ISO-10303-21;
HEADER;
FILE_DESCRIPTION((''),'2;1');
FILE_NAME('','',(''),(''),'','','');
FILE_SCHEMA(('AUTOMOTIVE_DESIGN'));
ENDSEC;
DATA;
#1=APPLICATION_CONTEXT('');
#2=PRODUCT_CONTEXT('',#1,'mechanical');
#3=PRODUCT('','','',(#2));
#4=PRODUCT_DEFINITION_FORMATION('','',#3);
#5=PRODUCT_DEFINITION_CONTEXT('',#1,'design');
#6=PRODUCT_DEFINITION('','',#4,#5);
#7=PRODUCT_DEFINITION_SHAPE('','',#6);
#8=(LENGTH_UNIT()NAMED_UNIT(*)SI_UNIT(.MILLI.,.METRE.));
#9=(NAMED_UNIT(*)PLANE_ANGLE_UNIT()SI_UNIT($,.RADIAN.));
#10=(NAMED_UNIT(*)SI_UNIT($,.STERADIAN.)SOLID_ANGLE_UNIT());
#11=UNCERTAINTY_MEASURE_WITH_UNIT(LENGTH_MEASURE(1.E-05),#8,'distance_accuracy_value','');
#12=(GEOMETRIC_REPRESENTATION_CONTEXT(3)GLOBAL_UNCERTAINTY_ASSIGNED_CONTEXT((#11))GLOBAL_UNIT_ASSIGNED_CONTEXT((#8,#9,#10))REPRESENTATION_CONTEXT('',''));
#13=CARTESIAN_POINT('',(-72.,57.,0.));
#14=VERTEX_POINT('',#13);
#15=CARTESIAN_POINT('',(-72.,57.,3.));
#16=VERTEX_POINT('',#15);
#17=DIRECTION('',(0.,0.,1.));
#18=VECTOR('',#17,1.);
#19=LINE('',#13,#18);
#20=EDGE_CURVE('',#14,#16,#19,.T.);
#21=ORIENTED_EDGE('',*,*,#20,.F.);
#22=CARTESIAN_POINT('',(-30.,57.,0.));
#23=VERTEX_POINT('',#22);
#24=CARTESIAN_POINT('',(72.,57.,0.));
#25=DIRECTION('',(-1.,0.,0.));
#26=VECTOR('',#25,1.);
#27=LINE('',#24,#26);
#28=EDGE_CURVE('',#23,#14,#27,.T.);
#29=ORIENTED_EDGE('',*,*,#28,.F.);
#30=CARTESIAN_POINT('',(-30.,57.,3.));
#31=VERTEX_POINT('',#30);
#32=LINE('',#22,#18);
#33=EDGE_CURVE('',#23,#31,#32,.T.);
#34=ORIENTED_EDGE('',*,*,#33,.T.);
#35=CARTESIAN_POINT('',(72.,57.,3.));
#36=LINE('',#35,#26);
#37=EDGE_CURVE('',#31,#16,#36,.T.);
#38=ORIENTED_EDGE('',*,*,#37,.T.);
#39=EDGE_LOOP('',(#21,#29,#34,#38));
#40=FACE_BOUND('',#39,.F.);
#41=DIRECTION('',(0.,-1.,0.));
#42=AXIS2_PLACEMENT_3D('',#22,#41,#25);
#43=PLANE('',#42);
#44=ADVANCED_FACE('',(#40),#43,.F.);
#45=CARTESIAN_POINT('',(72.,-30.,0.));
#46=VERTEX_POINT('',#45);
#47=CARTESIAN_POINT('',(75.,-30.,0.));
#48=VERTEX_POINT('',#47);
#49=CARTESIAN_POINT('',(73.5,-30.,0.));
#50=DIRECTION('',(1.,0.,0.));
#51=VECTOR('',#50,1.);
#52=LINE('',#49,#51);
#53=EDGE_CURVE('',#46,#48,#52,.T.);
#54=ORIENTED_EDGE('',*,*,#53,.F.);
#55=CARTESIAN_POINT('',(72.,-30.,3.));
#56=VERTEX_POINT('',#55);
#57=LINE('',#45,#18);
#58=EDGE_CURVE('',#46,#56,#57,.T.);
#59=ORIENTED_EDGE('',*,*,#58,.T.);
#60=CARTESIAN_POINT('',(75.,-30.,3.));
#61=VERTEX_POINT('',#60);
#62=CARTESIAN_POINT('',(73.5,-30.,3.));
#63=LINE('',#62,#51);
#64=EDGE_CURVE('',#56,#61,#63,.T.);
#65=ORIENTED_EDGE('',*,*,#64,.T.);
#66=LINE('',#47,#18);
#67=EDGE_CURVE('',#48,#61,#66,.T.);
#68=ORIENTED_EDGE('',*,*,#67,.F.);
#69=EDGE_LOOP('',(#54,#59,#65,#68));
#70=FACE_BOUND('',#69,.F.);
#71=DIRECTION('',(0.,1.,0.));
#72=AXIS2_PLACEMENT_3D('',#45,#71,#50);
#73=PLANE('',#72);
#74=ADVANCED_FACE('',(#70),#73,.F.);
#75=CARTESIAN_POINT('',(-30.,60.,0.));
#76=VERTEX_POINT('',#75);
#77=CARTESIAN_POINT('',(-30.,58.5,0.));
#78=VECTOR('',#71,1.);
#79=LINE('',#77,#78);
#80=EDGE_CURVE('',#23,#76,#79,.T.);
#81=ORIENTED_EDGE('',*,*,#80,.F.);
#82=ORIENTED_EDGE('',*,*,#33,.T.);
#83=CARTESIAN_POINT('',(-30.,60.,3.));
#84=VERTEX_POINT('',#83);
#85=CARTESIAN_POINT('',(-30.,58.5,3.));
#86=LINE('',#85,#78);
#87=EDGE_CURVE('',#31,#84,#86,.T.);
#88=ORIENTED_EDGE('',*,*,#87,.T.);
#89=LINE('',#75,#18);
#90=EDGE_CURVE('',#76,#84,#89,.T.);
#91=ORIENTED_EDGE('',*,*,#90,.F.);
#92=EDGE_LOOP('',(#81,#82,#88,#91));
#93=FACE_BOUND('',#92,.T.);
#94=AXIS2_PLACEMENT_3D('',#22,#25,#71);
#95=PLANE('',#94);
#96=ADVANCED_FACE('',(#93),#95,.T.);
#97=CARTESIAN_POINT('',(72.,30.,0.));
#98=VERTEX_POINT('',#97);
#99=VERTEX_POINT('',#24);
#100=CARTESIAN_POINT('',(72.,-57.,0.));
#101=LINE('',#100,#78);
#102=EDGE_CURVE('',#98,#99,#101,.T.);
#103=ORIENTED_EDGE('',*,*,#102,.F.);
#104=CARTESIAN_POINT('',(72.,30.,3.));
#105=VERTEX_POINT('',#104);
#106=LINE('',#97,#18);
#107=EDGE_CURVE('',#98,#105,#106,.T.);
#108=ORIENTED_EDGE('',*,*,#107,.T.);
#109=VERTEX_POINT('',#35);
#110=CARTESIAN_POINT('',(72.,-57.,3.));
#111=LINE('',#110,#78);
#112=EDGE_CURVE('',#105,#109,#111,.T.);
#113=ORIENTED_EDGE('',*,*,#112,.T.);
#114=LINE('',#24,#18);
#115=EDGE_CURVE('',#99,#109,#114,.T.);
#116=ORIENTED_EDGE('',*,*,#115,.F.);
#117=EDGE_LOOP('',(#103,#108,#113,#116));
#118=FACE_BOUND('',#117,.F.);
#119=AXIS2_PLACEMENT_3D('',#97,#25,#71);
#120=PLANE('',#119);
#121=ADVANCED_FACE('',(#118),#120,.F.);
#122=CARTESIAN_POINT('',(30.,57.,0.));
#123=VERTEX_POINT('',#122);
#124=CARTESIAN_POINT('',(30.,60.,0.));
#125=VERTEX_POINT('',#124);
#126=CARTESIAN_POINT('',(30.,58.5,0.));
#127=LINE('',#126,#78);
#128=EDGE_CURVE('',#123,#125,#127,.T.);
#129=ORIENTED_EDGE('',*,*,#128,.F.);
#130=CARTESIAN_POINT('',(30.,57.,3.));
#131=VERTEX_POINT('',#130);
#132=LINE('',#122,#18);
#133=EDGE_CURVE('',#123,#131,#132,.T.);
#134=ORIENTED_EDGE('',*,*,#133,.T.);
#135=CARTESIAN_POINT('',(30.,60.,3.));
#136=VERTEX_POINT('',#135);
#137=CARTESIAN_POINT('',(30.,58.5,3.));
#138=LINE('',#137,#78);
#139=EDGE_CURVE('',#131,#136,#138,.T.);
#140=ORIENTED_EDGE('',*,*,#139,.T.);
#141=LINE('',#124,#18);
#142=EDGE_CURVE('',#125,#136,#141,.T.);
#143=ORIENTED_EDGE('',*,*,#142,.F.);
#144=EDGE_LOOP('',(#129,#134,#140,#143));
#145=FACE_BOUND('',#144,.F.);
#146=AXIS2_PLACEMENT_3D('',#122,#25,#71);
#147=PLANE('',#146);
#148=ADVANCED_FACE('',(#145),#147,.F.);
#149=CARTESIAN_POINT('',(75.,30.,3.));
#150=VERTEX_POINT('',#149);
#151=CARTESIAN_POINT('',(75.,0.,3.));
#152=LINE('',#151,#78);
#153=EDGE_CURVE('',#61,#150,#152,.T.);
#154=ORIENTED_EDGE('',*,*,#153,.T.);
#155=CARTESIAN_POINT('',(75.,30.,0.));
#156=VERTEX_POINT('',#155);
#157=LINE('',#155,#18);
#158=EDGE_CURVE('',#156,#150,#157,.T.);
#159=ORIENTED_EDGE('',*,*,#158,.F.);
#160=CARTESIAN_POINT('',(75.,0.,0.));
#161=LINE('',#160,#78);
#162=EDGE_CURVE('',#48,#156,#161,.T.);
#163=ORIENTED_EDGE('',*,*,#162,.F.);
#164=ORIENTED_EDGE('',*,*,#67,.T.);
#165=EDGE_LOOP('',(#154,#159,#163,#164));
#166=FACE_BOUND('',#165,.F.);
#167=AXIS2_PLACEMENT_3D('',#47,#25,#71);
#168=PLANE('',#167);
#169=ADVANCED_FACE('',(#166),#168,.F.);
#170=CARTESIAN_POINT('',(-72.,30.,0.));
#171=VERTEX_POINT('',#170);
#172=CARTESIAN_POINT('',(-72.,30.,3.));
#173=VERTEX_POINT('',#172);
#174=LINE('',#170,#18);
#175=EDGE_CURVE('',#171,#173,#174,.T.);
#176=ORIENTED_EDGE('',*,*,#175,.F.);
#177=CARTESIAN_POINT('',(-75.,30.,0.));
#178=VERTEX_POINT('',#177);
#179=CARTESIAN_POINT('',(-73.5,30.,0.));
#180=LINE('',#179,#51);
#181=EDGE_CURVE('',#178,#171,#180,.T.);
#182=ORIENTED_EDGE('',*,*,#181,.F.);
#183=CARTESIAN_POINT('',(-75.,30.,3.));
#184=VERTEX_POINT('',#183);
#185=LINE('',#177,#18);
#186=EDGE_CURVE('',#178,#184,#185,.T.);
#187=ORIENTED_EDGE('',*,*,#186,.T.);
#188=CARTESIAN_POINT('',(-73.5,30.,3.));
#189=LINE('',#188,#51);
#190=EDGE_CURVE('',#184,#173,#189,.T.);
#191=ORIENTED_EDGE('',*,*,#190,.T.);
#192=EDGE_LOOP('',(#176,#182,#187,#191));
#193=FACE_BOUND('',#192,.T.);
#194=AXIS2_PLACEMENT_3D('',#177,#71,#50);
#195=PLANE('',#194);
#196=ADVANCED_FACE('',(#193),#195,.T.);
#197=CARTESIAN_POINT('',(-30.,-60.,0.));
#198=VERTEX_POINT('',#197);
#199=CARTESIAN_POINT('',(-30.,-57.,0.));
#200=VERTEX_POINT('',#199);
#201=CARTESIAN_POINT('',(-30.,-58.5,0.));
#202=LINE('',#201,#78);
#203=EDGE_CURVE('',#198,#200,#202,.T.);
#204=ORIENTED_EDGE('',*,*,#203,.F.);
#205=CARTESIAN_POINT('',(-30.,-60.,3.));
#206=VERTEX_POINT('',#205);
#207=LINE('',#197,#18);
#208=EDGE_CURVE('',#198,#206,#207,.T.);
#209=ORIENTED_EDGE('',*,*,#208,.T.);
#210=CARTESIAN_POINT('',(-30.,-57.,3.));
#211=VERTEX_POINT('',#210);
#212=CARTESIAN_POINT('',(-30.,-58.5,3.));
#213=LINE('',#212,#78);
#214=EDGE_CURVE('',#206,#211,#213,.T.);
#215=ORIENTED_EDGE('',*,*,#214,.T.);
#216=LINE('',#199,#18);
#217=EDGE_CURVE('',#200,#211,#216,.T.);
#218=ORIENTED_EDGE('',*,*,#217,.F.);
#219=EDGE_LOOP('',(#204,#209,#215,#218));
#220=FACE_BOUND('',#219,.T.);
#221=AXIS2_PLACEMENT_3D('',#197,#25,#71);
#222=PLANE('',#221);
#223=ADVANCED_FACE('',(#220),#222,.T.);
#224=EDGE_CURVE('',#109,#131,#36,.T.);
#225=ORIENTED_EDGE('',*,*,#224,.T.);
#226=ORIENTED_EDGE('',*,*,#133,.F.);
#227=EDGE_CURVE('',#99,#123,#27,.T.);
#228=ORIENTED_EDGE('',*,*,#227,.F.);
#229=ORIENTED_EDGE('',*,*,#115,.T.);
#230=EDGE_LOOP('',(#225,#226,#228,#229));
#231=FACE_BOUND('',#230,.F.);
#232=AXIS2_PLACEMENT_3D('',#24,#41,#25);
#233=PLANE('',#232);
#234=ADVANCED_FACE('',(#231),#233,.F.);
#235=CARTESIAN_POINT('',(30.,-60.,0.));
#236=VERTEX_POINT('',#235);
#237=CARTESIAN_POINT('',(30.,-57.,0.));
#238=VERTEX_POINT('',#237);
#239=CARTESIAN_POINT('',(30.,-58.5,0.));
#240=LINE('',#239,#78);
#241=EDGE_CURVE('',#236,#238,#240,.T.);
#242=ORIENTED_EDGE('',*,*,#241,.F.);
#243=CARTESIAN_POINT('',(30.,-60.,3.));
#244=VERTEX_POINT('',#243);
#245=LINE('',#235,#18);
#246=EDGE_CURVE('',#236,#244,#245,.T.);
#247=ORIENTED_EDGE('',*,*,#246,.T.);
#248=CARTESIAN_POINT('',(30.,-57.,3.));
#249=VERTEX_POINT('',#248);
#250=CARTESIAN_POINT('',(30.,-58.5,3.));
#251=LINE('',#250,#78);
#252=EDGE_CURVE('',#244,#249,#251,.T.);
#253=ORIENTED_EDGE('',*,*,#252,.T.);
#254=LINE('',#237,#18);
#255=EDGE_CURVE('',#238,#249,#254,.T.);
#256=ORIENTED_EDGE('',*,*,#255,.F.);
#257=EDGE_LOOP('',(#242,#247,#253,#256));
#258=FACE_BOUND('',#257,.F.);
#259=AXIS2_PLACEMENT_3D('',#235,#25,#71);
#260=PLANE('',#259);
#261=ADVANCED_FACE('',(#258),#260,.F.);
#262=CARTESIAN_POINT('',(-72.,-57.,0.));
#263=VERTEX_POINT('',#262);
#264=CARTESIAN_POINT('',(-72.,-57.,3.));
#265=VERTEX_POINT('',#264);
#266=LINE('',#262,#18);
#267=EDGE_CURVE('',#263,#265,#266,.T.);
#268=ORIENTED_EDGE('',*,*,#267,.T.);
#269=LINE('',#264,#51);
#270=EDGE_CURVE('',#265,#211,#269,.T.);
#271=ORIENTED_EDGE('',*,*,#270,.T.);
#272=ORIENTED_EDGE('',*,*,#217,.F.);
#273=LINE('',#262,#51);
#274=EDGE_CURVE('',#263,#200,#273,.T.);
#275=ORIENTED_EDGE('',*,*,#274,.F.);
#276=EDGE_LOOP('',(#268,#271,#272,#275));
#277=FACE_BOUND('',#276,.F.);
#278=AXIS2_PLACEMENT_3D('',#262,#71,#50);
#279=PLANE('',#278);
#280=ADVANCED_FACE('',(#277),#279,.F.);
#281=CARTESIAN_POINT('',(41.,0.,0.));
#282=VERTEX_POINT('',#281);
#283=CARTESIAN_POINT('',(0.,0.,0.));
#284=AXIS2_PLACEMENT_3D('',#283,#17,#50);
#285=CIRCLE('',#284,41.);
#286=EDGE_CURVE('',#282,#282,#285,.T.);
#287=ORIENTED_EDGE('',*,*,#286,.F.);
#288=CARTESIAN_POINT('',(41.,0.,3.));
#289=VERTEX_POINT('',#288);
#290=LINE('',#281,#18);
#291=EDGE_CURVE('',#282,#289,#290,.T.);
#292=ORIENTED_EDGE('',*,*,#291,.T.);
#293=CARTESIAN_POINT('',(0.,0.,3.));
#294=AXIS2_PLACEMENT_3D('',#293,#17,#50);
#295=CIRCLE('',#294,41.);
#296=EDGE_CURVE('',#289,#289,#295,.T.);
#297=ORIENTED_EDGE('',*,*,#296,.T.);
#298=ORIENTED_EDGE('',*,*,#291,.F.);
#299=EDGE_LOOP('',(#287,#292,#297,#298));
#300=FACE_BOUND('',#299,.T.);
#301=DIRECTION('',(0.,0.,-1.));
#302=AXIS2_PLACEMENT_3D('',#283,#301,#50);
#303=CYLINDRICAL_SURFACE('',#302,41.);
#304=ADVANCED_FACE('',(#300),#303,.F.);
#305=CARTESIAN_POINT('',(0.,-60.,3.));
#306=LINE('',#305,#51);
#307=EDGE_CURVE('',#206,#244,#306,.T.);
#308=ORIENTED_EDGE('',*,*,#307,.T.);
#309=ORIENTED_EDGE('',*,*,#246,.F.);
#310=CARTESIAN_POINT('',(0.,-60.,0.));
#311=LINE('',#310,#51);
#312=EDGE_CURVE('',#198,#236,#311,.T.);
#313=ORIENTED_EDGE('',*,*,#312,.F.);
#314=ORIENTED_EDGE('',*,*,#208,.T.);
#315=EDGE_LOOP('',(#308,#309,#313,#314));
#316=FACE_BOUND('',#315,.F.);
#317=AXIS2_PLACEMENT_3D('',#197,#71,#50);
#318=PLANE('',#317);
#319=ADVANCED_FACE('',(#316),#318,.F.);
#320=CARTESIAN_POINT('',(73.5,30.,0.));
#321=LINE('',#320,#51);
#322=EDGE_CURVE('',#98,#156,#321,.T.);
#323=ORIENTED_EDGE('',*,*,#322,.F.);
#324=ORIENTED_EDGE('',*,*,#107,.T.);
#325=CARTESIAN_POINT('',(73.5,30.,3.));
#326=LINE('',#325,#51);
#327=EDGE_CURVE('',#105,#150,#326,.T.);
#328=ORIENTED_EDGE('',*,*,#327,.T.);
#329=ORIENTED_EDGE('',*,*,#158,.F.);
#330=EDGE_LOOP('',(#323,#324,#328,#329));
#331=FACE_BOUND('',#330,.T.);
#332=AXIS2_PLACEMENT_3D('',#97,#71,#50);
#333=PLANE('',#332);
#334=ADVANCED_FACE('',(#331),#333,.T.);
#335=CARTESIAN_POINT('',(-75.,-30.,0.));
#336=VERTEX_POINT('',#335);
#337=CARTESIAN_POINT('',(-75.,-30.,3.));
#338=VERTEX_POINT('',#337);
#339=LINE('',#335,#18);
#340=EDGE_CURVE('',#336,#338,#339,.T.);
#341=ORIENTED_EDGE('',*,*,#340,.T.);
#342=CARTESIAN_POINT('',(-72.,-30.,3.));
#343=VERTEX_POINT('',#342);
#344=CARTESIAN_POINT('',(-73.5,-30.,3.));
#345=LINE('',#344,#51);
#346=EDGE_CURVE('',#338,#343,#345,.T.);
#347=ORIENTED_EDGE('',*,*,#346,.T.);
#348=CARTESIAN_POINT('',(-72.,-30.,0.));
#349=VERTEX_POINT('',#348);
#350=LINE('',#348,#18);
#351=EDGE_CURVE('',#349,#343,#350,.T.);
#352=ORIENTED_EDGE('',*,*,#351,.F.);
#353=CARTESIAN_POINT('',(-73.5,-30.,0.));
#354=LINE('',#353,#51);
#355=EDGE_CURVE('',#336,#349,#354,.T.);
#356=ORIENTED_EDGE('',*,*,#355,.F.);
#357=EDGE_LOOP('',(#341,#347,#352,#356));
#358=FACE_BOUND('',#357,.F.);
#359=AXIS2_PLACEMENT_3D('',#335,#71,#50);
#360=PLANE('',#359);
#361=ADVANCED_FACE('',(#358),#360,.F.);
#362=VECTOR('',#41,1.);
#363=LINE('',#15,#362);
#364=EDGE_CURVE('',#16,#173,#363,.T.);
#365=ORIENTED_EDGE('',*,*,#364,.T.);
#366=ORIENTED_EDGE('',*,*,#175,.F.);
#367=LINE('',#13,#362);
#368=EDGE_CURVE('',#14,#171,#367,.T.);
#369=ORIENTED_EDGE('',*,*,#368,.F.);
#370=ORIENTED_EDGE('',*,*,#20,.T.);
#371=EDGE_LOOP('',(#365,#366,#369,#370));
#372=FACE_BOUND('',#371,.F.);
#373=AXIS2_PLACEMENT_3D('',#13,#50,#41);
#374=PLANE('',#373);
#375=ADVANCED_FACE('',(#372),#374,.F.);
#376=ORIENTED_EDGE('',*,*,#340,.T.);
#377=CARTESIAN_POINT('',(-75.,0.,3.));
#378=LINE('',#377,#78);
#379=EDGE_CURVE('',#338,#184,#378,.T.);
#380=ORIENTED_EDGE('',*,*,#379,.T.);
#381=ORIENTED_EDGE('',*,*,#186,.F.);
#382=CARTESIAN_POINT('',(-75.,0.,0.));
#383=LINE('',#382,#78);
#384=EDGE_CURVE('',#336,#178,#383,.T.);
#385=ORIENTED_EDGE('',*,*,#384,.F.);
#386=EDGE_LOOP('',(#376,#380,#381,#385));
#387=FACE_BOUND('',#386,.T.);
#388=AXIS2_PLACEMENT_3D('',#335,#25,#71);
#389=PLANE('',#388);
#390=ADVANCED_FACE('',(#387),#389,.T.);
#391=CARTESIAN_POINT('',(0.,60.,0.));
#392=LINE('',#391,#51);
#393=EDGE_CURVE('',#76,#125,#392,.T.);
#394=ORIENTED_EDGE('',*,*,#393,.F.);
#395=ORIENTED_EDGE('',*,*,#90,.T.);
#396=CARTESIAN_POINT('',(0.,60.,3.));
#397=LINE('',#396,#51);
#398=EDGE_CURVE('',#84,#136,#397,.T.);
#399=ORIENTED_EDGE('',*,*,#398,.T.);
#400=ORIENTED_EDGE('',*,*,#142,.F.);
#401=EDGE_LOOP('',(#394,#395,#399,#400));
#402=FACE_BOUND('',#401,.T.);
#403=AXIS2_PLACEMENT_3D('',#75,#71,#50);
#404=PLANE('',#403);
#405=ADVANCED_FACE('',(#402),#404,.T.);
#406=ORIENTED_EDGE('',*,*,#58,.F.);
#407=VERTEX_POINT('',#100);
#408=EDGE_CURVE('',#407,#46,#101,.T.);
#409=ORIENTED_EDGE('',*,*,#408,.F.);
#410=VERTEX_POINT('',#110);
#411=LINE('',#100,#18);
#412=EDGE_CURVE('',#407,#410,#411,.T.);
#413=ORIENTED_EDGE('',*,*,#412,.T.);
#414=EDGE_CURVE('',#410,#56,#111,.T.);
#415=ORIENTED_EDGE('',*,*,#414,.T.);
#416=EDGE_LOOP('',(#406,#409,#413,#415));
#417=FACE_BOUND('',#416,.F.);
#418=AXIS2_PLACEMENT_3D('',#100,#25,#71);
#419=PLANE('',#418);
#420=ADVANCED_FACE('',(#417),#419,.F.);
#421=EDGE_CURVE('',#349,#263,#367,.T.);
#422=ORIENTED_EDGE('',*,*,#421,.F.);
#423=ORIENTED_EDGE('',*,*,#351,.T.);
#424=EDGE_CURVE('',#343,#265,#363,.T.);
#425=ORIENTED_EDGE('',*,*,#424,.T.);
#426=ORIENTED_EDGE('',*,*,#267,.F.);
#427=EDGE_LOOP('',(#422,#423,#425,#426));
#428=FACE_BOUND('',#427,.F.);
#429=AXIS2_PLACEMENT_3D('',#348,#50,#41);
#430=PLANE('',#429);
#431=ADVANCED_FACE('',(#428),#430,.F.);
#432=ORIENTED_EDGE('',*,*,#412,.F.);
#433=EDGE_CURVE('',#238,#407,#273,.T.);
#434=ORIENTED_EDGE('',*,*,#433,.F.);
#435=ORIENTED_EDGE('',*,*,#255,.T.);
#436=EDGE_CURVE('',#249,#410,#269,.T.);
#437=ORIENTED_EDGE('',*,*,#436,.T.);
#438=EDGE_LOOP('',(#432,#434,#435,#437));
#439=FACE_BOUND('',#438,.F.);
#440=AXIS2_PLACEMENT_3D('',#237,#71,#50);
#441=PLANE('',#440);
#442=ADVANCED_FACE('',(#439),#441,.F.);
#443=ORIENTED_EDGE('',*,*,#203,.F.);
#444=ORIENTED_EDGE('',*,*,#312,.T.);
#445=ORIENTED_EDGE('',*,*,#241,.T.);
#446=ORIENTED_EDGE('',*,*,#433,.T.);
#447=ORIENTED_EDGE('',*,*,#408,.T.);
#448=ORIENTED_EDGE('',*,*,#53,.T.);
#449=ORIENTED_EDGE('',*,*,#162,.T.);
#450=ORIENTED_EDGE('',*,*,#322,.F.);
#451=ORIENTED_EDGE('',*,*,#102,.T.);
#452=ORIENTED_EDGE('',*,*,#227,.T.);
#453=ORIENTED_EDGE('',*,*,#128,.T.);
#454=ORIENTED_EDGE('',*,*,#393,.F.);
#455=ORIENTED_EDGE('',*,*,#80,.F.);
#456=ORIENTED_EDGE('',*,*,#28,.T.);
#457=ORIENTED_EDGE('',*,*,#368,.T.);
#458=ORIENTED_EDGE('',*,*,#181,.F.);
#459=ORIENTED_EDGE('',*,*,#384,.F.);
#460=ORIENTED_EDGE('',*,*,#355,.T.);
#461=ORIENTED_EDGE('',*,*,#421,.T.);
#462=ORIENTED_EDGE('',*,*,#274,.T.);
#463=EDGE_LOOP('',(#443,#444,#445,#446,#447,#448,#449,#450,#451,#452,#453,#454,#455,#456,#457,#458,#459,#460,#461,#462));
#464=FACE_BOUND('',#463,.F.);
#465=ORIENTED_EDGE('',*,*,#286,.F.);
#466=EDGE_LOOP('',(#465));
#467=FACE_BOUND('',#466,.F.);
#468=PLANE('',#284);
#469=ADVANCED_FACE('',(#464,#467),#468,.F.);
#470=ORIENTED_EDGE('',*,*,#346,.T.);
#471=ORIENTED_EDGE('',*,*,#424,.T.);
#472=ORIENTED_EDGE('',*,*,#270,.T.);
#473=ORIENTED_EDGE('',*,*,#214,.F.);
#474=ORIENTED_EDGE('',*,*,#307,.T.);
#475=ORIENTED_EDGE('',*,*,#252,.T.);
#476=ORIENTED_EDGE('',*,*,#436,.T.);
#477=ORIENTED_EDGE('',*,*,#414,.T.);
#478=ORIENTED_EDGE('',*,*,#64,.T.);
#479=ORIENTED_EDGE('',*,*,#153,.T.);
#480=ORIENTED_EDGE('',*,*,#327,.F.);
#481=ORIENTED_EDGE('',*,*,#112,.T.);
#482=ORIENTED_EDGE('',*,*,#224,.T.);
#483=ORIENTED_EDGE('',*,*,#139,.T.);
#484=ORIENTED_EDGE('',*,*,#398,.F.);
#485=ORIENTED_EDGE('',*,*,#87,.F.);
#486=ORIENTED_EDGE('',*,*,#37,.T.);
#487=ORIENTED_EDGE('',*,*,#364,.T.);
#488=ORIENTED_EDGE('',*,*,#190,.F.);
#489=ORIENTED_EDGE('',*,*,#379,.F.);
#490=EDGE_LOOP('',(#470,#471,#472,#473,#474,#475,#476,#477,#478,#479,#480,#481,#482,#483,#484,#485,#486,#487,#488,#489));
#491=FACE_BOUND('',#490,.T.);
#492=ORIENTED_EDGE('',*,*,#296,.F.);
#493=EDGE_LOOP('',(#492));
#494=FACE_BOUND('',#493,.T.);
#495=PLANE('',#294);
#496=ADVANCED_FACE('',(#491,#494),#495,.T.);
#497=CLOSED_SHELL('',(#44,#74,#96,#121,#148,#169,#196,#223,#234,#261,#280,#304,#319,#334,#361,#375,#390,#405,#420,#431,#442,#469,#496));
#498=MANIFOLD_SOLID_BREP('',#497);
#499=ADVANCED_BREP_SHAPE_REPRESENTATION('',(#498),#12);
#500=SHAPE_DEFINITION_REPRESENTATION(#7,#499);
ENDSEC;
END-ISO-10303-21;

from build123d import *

# Parameters (mm, degrees)
F0_R     = 41
F0_W     = 60
F0_H     = 3
F0_W_2   = 3
F0_H_2   = 60
F1_DEPTH = 3


with BuildPart() as f1:
    # F0 (on Top) → F1 (new body)
    with BuildSketch(Plane.XY):
        Polygon((72, 30), (72, 57), (30, 57), (-30, 57), (-72, 57), (-72, 30), (-72, -30), (-72, -57), (-30, -57), (30, -57), (72, -57), (72, -30), align=None)
        Circle(F0_R, mode=Mode.SUBTRACT)
        with Locations((0, 58.5)):
            Rectangle(F0_W, F0_H)
        with Locations((73.5, 0)):
            Rectangle(F0_W_2, F0_H_2)
        with Locations((-73.5, 0)):
            Rectangle(F0_W_2, F0_H_2)
        with Locations((0, -58.5)):
            Rectangle(F0_W, F0_H)
    extrude(amount=F1_DEPTH)


solid = f1.part
